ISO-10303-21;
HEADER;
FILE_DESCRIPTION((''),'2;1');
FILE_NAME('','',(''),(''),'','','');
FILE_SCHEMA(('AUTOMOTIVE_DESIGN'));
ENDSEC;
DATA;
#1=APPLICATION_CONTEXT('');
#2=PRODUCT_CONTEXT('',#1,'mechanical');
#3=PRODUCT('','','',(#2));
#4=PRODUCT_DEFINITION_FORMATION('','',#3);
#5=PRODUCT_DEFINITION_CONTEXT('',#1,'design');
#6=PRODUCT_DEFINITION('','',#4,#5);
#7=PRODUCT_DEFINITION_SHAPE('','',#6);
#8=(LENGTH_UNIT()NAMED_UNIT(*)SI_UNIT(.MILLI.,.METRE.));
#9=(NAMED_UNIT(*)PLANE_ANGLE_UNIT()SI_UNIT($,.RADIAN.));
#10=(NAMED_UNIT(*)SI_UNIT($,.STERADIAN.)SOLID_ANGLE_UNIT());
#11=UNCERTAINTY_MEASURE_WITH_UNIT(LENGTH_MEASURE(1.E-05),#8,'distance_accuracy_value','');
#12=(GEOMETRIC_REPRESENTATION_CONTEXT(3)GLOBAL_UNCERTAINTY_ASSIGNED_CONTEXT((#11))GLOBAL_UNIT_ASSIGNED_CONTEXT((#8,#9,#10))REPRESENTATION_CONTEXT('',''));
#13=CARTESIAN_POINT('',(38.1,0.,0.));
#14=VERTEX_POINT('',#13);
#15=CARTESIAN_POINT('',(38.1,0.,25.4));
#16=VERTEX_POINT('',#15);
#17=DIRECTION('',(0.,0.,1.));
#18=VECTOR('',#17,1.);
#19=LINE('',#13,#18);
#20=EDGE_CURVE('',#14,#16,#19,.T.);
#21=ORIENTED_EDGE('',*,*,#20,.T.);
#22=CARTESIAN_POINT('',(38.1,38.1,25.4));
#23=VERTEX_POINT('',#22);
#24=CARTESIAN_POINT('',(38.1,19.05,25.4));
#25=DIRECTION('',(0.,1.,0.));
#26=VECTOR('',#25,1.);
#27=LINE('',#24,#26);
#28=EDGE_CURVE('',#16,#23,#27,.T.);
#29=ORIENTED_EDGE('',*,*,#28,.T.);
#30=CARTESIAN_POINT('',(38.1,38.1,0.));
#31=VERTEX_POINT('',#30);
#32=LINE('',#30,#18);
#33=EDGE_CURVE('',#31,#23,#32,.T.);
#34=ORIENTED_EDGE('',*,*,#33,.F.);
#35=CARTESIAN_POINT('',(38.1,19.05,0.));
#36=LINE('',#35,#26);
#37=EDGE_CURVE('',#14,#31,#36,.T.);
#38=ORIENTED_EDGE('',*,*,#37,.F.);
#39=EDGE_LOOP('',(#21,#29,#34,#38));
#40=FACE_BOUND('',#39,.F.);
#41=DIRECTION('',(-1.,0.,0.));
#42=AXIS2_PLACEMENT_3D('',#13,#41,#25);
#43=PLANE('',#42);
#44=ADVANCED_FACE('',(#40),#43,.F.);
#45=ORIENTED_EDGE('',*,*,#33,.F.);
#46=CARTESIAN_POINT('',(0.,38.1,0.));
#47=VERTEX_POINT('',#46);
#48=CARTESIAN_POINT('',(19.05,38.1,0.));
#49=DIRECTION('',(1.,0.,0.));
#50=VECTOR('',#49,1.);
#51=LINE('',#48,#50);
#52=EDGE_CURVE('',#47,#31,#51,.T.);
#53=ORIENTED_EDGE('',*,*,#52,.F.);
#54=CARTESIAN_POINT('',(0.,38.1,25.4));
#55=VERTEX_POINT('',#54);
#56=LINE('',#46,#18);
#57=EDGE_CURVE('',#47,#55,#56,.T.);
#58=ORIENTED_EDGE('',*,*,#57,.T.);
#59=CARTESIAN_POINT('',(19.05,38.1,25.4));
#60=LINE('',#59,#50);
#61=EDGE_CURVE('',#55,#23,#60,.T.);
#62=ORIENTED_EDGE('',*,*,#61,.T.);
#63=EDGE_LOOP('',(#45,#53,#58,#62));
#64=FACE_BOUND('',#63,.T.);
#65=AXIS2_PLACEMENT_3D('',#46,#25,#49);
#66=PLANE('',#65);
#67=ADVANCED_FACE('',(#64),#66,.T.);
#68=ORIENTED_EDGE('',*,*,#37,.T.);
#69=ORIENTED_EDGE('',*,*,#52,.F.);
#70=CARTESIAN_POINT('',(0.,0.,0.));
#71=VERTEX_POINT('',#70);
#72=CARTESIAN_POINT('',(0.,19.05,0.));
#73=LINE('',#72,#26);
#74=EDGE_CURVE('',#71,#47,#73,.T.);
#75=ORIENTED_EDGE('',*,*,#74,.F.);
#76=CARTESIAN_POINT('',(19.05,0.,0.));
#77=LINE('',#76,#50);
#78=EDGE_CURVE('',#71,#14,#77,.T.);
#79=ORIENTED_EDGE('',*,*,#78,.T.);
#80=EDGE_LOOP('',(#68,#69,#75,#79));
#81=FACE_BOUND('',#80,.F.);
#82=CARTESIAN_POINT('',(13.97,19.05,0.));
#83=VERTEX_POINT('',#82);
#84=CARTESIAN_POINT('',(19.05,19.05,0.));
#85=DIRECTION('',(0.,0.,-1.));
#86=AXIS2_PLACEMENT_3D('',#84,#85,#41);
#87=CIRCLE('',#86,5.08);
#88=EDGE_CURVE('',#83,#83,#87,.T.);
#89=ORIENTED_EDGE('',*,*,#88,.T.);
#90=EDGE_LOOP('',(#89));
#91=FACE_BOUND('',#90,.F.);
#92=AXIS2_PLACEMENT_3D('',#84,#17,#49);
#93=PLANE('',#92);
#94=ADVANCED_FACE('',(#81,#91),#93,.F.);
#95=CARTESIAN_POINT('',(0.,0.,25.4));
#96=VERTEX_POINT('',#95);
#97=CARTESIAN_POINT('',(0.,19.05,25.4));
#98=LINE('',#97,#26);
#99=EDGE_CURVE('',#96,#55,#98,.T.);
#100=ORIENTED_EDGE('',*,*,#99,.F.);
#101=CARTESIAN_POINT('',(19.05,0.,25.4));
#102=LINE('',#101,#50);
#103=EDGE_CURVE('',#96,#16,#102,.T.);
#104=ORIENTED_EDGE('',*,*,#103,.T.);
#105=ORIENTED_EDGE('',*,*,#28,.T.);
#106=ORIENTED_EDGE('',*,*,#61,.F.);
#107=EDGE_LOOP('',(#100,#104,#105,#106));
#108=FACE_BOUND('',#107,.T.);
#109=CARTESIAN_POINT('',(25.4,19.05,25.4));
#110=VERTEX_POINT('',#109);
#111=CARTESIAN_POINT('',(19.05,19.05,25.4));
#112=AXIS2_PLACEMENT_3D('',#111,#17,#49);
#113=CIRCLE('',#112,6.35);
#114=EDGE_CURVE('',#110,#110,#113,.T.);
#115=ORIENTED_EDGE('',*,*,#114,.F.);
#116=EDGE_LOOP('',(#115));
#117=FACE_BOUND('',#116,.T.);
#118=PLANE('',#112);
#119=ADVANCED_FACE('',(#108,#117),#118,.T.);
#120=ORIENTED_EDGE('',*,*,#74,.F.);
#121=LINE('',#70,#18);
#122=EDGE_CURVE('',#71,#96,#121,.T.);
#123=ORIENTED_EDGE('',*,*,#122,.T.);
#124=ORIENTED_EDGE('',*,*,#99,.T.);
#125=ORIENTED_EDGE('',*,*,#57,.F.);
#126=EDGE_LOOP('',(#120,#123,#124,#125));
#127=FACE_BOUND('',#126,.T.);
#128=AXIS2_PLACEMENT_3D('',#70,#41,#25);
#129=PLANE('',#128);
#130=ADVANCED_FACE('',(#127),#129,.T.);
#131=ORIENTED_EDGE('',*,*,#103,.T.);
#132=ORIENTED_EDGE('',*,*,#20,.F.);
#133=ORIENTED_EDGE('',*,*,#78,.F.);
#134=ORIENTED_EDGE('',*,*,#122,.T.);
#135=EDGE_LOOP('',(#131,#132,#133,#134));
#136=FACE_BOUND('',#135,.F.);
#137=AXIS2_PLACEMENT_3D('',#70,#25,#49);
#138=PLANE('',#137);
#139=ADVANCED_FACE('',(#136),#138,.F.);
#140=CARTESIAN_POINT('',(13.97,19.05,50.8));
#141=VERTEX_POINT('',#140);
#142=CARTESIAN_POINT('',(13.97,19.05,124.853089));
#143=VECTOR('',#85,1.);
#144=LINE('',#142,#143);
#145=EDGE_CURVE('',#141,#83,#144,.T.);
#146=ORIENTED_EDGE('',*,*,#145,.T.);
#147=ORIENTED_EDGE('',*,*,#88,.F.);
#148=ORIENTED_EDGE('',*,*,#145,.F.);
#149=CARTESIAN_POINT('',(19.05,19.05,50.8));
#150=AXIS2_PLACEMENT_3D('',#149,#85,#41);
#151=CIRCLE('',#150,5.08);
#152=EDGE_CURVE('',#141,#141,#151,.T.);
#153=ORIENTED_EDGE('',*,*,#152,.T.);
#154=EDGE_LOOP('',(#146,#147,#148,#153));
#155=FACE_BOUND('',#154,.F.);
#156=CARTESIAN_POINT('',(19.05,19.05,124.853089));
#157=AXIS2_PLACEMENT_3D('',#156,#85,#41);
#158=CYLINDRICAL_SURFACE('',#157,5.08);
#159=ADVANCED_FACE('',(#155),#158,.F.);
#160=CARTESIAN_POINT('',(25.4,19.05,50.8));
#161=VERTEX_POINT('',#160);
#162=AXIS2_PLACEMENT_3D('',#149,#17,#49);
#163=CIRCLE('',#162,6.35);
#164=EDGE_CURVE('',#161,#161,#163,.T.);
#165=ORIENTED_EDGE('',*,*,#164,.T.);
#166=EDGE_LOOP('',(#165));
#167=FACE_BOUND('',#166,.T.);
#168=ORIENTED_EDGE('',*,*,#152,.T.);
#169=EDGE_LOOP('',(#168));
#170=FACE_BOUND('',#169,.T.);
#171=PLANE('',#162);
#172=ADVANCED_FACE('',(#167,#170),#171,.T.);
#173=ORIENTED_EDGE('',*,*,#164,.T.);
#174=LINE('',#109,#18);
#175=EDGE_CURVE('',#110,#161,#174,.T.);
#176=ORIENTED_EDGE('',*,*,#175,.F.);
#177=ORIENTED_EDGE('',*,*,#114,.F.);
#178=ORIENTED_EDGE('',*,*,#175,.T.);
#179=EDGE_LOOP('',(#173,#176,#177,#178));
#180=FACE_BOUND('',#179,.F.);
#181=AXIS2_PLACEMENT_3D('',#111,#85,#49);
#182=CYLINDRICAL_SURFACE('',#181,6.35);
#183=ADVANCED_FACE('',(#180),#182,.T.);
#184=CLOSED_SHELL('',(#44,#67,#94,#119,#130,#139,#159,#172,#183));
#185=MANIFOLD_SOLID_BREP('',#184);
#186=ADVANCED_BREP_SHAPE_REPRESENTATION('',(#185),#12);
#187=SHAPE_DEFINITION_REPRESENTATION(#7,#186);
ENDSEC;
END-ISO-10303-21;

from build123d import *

# Parameters (mm, degrees)
F0_W     = 38.1
F0_H     = 38.1
F1_DEPTH = 25.4
F3_R     = 6.35
F4_DEPTH = 25.4
F7_D     = 10.16


with BuildPart() as f1:
    # F0 (on Top) → F1 (new body)
    with BuildSketch(Plane.XY):
        with Locations((19.05, 19.05)):
            Rectangle(F0_W, F0_H)
    extrude(amount=F1_DEPTH)

    # F3 (on offset) → F4 (join)
    with BuildSketch(Plane.XY.offset(25.4)):
        with Locations((19.05, 19.05)):
            Circle(F3_R)
    extrude(amount=F4_DEPTH)

    # F7 (through all)
    with Locations(Plane.XY.offset(50.8)):
        with Locations((19.05, 19.05)):
            Hole(F7_D / 2)


solid = f1.part
